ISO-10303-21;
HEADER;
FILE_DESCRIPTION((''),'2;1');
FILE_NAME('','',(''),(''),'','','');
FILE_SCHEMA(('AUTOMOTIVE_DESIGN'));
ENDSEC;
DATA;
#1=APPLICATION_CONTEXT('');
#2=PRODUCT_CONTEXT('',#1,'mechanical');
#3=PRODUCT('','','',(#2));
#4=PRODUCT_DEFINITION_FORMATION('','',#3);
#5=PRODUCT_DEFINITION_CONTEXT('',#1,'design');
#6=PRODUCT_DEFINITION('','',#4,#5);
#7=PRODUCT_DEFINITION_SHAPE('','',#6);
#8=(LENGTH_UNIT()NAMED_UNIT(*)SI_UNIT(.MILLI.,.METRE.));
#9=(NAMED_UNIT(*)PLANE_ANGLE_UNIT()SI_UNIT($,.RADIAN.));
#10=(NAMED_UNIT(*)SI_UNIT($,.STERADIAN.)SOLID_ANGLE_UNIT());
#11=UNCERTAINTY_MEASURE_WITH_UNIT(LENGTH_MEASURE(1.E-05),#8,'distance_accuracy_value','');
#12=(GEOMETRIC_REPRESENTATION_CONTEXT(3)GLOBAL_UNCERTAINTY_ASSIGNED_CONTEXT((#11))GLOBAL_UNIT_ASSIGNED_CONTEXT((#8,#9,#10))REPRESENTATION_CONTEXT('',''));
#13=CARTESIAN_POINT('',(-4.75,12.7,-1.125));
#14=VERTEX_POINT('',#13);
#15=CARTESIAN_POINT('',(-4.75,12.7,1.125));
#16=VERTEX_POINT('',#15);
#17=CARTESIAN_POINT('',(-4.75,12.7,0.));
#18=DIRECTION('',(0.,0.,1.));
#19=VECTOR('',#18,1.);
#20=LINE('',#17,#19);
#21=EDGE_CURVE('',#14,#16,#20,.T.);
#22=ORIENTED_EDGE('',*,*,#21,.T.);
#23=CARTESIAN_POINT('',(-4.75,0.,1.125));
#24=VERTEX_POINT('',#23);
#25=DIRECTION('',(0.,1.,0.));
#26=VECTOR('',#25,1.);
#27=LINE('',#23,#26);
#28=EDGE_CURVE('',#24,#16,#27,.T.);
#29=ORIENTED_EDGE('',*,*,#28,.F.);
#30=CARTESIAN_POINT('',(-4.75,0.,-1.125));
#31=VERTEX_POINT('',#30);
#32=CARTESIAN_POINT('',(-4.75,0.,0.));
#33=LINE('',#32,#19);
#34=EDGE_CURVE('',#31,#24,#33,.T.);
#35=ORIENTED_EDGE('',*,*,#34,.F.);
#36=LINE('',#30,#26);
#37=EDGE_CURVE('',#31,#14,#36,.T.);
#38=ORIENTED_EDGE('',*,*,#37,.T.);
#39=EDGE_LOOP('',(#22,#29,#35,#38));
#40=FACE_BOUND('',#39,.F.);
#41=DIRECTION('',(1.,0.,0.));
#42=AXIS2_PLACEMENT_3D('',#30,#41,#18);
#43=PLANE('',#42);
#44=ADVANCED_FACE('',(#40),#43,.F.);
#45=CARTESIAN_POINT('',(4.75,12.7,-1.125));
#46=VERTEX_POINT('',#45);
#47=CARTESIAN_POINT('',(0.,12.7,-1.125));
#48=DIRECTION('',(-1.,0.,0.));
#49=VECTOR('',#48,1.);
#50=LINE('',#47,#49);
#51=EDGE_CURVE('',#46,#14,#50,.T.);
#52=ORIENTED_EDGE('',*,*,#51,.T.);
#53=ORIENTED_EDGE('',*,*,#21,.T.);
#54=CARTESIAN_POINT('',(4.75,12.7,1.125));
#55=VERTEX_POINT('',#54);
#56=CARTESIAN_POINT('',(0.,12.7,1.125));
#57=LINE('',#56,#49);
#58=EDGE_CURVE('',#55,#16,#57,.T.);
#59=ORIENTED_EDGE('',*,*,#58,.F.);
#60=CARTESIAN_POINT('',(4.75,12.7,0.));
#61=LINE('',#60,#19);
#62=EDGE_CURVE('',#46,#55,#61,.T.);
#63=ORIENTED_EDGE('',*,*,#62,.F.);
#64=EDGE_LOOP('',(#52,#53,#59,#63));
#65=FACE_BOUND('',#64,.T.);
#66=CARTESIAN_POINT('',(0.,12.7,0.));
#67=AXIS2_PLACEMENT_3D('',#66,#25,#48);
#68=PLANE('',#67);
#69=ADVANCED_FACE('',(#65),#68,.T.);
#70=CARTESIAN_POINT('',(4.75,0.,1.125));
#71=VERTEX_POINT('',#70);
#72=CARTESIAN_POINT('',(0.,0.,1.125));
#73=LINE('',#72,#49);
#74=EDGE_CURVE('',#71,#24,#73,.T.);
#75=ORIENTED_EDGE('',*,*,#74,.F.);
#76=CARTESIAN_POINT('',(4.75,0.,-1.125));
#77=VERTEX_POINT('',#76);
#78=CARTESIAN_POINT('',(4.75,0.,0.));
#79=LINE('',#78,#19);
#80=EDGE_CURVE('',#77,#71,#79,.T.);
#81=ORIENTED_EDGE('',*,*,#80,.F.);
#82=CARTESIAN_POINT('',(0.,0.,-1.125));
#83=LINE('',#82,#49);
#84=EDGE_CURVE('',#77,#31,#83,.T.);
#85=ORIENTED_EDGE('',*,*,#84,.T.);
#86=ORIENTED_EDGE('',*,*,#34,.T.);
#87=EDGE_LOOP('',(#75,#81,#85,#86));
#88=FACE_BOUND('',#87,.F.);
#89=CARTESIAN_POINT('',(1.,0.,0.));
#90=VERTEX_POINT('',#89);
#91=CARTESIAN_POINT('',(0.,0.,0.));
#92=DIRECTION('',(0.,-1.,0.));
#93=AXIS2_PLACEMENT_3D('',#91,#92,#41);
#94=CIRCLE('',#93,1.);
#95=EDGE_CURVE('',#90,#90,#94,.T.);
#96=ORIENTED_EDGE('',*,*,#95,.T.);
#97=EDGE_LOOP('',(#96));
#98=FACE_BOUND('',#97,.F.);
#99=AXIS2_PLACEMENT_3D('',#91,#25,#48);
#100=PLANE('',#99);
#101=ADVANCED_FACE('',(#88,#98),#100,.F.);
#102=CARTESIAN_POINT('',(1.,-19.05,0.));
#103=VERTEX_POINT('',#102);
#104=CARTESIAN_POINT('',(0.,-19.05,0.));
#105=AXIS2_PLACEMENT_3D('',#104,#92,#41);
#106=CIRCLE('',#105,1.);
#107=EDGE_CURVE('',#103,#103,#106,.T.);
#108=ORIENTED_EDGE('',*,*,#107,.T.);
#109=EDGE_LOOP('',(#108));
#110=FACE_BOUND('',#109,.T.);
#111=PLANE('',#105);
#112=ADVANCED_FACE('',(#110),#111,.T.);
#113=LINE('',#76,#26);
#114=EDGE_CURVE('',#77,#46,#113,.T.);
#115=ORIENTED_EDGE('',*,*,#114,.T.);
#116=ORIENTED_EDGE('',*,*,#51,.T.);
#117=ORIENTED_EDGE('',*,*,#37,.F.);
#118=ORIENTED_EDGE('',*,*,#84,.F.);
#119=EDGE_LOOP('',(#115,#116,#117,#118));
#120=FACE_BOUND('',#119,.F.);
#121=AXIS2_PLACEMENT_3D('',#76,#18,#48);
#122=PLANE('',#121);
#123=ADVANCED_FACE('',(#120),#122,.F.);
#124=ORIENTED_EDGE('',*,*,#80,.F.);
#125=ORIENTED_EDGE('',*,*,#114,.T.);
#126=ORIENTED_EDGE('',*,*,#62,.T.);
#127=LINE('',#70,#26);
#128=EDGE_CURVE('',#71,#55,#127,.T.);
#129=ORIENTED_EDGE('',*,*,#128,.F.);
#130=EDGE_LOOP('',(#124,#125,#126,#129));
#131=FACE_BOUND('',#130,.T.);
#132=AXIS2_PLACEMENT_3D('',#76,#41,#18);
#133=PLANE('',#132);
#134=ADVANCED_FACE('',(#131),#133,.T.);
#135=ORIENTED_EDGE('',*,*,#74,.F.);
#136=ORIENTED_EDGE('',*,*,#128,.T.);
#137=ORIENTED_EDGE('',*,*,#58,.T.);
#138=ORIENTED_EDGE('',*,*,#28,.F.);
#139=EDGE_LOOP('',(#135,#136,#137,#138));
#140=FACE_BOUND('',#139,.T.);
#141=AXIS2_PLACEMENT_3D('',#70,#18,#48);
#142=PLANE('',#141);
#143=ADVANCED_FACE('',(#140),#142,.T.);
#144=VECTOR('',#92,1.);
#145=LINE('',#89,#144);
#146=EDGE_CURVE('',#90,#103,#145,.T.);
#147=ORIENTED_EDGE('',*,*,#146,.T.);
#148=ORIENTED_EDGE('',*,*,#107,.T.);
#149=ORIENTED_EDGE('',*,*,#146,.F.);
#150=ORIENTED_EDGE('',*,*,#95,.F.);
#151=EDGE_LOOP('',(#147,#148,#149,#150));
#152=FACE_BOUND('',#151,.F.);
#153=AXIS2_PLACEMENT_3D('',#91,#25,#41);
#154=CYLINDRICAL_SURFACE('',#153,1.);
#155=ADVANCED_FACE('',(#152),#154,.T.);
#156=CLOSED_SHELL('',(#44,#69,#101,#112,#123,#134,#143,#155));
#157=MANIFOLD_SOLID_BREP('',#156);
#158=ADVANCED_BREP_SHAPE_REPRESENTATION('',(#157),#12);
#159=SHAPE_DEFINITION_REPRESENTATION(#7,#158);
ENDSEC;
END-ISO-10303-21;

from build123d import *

# Parameters (mm, degrees)
F0_R     = 1
F1_DEPTH = 19.05
F2_W     = 9.5
F2_H     = 2.25
F3_DEPTH = 12.7


with BuildPart() as f1:
    # F0 (on Front) → F1 (new body)
    with BuildSketch(Plane.XZ):
        Circle(F0_R)
    extrude(amount=F1_DEPTH)

    # F2 (on face) → F3 (join)
    with BuildSketch(Plane(origin=(0, 0, 0), x_dir=(-1, 0, 0), z_dir=(0, 1, 0))):
        Rectangle(F2_W, F2_H)
    extrude(amount=F3_DEPTH)


solid = f1.part
